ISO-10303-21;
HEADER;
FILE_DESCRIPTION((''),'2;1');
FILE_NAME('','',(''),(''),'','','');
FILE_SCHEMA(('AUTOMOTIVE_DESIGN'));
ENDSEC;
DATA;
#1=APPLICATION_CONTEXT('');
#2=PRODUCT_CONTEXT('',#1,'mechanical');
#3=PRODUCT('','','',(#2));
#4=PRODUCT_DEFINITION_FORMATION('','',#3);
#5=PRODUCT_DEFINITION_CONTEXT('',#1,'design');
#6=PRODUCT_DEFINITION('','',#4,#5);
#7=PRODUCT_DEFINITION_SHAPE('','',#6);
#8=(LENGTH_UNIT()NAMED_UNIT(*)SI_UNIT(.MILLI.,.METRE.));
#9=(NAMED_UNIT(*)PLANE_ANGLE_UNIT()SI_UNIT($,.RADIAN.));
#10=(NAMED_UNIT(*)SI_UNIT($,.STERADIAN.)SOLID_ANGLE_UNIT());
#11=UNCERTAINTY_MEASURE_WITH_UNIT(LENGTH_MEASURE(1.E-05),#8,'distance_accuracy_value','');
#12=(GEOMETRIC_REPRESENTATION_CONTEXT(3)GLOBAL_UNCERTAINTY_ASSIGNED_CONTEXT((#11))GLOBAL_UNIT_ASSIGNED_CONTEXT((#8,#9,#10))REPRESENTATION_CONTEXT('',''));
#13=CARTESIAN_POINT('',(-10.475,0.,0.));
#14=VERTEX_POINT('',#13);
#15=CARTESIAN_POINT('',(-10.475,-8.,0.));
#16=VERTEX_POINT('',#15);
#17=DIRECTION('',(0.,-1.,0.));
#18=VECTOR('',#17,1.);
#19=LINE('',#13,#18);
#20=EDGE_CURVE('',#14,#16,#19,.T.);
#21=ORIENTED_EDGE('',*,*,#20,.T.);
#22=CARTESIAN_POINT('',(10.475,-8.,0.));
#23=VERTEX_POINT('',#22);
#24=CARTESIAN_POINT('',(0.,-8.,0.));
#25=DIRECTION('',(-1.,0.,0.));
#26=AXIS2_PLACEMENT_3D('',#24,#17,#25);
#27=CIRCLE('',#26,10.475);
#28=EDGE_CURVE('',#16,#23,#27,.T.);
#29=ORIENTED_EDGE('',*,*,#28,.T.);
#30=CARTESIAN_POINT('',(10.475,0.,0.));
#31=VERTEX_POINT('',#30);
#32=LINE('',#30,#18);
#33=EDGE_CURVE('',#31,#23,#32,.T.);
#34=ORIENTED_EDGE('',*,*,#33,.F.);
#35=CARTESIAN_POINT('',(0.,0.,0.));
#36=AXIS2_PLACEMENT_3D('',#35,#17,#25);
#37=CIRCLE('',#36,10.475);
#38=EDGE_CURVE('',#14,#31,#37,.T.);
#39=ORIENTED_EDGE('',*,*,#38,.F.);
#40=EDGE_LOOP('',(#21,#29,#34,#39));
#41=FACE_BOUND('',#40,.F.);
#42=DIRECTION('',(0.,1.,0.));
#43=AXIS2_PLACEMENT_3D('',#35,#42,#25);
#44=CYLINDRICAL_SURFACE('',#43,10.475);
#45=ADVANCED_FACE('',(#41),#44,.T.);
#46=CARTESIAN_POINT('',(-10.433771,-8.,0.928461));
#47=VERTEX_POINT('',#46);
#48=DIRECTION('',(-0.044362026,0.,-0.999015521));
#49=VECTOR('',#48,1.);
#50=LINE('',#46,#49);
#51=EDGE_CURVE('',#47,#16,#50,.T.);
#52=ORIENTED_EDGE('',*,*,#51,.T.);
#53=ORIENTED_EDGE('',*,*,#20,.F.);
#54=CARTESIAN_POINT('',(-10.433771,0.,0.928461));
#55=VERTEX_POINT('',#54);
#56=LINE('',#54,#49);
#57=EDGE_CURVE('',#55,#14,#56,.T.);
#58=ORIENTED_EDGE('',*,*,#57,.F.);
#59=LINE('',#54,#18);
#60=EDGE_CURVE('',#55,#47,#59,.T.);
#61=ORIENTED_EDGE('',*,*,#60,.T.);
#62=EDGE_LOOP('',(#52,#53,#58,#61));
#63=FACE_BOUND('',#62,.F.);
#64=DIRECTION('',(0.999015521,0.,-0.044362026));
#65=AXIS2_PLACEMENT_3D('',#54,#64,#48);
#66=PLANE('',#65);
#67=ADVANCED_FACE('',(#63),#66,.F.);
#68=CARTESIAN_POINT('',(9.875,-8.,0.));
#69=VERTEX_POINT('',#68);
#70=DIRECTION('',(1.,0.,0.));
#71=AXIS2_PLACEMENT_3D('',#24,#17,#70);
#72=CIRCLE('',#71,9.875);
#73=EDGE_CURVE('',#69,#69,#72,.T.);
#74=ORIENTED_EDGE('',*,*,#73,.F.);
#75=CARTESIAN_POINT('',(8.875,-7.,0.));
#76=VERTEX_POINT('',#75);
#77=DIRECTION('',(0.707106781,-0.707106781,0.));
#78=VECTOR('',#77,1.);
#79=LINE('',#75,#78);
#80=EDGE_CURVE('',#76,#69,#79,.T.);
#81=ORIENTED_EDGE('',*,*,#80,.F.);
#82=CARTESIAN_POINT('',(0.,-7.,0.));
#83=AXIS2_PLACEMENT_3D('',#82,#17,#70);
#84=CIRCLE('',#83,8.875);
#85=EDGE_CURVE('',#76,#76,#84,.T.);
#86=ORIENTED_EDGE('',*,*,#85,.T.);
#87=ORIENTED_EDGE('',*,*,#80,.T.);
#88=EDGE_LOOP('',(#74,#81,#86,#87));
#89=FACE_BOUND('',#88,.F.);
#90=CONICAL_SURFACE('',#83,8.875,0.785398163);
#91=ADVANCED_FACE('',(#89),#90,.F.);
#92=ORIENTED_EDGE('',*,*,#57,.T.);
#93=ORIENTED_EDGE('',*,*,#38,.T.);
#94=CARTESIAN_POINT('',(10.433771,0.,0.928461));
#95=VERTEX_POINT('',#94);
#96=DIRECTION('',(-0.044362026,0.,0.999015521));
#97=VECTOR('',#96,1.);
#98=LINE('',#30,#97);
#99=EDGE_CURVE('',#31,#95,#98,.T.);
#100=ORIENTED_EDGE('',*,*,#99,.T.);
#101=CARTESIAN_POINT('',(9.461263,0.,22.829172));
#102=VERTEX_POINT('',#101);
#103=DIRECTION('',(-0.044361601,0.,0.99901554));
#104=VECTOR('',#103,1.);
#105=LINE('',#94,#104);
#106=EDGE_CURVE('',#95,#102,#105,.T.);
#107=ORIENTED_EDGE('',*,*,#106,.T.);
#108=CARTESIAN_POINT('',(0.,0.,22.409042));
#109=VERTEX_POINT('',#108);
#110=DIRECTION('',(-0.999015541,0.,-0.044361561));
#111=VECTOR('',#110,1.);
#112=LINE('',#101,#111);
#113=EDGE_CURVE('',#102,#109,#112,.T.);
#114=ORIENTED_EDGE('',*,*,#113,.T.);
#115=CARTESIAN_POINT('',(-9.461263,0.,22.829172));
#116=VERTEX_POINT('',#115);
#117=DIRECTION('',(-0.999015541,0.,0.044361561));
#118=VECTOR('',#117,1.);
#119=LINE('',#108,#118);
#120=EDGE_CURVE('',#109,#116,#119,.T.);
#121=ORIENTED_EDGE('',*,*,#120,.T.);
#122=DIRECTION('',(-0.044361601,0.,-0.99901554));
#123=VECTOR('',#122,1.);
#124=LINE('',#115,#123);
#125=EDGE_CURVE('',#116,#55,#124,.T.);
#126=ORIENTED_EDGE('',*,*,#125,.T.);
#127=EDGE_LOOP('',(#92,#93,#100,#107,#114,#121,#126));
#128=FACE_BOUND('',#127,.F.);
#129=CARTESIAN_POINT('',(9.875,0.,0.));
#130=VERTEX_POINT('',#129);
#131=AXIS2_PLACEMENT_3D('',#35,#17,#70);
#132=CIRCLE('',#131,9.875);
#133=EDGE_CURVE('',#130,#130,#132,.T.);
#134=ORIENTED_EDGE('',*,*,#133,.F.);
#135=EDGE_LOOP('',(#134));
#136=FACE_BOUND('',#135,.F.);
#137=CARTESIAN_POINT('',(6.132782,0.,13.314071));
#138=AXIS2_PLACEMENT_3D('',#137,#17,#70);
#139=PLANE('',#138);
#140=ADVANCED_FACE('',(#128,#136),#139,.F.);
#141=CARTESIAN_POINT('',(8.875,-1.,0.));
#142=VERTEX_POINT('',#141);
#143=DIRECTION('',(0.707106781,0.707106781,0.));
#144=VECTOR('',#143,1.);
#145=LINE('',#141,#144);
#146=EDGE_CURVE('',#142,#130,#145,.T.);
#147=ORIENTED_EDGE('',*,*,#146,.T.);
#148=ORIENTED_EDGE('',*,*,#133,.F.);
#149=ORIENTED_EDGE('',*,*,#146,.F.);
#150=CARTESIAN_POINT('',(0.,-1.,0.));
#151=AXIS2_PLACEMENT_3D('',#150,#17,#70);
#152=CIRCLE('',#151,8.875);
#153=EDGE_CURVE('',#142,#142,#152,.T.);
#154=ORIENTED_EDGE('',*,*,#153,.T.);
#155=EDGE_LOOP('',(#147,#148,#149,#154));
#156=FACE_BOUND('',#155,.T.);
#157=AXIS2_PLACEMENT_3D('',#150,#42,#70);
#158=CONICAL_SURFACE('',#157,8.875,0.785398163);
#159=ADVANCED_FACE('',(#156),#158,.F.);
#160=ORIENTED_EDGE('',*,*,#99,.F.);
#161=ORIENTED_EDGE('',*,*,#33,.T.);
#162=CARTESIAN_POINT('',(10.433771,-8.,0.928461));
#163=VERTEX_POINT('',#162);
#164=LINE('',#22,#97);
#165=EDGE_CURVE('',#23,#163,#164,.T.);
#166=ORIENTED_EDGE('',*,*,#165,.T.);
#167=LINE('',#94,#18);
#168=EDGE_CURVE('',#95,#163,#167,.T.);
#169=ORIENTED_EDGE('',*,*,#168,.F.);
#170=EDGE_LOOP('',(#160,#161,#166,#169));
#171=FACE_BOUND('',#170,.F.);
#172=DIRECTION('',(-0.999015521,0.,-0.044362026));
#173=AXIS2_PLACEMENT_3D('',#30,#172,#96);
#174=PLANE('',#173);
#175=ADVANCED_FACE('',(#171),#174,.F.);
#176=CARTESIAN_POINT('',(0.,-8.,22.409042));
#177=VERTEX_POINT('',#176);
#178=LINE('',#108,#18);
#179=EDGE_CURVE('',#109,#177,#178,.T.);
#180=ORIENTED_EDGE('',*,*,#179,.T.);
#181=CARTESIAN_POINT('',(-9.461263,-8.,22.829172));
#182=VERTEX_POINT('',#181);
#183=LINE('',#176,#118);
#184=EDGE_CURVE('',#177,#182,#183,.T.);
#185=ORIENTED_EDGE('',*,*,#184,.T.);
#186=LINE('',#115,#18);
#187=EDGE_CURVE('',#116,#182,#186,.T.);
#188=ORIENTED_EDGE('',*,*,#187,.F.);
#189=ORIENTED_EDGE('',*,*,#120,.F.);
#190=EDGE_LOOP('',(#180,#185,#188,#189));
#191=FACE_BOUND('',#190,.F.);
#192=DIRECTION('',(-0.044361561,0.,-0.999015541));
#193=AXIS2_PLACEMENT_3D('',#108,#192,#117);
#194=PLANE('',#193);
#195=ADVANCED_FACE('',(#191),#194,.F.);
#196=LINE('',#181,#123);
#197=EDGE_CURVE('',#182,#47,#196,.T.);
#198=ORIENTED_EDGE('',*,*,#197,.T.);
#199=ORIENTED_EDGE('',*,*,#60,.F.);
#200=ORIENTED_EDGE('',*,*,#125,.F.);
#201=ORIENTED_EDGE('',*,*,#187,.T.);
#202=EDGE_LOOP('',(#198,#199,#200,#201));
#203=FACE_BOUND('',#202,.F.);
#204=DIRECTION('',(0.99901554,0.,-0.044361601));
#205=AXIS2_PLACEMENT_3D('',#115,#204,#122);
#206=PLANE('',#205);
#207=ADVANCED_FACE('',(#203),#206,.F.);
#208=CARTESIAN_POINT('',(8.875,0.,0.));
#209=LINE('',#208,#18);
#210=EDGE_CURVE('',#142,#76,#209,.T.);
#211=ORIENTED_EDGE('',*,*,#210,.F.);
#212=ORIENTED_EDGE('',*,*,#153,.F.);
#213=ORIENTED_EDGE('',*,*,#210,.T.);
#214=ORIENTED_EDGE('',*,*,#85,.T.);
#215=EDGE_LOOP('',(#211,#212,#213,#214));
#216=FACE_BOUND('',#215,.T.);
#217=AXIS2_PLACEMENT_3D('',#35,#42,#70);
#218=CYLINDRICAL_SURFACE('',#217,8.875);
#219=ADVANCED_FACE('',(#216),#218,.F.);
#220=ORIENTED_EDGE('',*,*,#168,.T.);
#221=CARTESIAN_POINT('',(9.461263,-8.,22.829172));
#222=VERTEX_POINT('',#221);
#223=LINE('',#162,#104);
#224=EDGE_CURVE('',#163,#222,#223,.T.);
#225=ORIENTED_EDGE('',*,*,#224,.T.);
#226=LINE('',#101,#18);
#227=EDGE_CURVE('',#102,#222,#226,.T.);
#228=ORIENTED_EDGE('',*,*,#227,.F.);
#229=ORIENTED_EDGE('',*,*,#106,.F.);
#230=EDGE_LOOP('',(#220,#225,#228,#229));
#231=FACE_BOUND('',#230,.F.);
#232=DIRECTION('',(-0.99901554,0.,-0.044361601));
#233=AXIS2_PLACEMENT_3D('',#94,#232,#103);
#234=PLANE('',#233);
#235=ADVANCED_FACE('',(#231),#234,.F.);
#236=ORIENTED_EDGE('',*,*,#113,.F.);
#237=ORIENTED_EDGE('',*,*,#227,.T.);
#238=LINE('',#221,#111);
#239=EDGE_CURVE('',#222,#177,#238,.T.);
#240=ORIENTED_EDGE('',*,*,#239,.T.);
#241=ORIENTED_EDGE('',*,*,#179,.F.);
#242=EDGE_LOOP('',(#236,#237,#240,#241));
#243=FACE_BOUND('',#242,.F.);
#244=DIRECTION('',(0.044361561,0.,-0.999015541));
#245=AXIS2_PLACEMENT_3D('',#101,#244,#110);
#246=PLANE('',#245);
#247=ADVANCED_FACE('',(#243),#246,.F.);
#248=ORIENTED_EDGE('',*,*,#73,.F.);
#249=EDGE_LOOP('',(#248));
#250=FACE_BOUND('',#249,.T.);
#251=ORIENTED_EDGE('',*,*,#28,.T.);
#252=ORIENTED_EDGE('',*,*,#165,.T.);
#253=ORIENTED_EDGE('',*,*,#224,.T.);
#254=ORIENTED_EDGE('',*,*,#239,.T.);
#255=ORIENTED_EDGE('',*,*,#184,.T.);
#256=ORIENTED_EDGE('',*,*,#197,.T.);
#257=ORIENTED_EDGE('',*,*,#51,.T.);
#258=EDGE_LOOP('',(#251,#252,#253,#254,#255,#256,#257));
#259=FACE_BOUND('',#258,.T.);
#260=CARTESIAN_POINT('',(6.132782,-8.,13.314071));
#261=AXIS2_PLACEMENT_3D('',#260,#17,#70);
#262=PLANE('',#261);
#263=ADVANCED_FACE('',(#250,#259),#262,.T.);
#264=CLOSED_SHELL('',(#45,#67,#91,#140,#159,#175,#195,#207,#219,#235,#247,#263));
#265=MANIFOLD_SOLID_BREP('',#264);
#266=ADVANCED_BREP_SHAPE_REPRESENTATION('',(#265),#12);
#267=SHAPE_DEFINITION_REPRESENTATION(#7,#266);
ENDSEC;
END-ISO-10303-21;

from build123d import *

# Parameters (mm, degrees)
F0_R     = 8.875
F1_DEPTH = 8
F2_SIZE  = 1


with BuildPart() as f1:
    # F0 (on Front) → F1 (new body)
    with BuildSketch(Plane.XZ):
        with BuildLine():
            ThreePointArc((0, 10.475), (7.071068, 7.728236), (10.433771, 0.928461))
            Line((10.433771, 0.928461), (9.461263, 22.829172))
            Line((9.461263, 22.829172), (0, 22.409042))
            Line((0, 22.409042), (0.528892, 22.385556))
            Line((0.528892, 22.385556), (0, 10.475))
        make_face()
        Polygon((-0.528892, 22.385556), (0, 10.475), (0.528892, 22.385556), (0, 22.409042), align=None)
        with BuildLine():
            Line((-10.433771, 0.928461), (-10.475, 0))
            ThreePointArc((-10.475, 0), (0, -10.475), (10.475, 0))
            Line((10.475, 0), (10.433771, 0.928461))
            ThreePointArc((10.433771, 0.928461), (7.071068, 7.728236), (0, 10.475))
            ThreePointArc((0, 10.475), (-7.071068, 7.728236), (-10.433771, 0.928461))
        make_face()
        Circle(F0_R, mode=Mode.SUBTRACT)
        with BuildLine():
            Line((-9.461263, 22.829172), (-10.433771, 0.928461))
            ThreePointArc((-10.433771, 0.928461), (-7.071068, 7.728236), (0, 10.475))
            Line((0, 10.475), (-0.528892, 22.385556))
            Line((-0.528892, 22.385556), (0, 22.409042))
            Line((0, 22.409042), (-9.461263, 22.829172))
        make_face()
    extrude(amount=F1_DEPTH)

    # F2
    f2_edges = [f1.edges().sort_by_distance(p)[0] for p in [
        (-8.875, 0, 0),
        (-8.875, -8, 0),
    ]]
    chamfer(f2_edges, length=F2_SIZE)


solid = f1.part
